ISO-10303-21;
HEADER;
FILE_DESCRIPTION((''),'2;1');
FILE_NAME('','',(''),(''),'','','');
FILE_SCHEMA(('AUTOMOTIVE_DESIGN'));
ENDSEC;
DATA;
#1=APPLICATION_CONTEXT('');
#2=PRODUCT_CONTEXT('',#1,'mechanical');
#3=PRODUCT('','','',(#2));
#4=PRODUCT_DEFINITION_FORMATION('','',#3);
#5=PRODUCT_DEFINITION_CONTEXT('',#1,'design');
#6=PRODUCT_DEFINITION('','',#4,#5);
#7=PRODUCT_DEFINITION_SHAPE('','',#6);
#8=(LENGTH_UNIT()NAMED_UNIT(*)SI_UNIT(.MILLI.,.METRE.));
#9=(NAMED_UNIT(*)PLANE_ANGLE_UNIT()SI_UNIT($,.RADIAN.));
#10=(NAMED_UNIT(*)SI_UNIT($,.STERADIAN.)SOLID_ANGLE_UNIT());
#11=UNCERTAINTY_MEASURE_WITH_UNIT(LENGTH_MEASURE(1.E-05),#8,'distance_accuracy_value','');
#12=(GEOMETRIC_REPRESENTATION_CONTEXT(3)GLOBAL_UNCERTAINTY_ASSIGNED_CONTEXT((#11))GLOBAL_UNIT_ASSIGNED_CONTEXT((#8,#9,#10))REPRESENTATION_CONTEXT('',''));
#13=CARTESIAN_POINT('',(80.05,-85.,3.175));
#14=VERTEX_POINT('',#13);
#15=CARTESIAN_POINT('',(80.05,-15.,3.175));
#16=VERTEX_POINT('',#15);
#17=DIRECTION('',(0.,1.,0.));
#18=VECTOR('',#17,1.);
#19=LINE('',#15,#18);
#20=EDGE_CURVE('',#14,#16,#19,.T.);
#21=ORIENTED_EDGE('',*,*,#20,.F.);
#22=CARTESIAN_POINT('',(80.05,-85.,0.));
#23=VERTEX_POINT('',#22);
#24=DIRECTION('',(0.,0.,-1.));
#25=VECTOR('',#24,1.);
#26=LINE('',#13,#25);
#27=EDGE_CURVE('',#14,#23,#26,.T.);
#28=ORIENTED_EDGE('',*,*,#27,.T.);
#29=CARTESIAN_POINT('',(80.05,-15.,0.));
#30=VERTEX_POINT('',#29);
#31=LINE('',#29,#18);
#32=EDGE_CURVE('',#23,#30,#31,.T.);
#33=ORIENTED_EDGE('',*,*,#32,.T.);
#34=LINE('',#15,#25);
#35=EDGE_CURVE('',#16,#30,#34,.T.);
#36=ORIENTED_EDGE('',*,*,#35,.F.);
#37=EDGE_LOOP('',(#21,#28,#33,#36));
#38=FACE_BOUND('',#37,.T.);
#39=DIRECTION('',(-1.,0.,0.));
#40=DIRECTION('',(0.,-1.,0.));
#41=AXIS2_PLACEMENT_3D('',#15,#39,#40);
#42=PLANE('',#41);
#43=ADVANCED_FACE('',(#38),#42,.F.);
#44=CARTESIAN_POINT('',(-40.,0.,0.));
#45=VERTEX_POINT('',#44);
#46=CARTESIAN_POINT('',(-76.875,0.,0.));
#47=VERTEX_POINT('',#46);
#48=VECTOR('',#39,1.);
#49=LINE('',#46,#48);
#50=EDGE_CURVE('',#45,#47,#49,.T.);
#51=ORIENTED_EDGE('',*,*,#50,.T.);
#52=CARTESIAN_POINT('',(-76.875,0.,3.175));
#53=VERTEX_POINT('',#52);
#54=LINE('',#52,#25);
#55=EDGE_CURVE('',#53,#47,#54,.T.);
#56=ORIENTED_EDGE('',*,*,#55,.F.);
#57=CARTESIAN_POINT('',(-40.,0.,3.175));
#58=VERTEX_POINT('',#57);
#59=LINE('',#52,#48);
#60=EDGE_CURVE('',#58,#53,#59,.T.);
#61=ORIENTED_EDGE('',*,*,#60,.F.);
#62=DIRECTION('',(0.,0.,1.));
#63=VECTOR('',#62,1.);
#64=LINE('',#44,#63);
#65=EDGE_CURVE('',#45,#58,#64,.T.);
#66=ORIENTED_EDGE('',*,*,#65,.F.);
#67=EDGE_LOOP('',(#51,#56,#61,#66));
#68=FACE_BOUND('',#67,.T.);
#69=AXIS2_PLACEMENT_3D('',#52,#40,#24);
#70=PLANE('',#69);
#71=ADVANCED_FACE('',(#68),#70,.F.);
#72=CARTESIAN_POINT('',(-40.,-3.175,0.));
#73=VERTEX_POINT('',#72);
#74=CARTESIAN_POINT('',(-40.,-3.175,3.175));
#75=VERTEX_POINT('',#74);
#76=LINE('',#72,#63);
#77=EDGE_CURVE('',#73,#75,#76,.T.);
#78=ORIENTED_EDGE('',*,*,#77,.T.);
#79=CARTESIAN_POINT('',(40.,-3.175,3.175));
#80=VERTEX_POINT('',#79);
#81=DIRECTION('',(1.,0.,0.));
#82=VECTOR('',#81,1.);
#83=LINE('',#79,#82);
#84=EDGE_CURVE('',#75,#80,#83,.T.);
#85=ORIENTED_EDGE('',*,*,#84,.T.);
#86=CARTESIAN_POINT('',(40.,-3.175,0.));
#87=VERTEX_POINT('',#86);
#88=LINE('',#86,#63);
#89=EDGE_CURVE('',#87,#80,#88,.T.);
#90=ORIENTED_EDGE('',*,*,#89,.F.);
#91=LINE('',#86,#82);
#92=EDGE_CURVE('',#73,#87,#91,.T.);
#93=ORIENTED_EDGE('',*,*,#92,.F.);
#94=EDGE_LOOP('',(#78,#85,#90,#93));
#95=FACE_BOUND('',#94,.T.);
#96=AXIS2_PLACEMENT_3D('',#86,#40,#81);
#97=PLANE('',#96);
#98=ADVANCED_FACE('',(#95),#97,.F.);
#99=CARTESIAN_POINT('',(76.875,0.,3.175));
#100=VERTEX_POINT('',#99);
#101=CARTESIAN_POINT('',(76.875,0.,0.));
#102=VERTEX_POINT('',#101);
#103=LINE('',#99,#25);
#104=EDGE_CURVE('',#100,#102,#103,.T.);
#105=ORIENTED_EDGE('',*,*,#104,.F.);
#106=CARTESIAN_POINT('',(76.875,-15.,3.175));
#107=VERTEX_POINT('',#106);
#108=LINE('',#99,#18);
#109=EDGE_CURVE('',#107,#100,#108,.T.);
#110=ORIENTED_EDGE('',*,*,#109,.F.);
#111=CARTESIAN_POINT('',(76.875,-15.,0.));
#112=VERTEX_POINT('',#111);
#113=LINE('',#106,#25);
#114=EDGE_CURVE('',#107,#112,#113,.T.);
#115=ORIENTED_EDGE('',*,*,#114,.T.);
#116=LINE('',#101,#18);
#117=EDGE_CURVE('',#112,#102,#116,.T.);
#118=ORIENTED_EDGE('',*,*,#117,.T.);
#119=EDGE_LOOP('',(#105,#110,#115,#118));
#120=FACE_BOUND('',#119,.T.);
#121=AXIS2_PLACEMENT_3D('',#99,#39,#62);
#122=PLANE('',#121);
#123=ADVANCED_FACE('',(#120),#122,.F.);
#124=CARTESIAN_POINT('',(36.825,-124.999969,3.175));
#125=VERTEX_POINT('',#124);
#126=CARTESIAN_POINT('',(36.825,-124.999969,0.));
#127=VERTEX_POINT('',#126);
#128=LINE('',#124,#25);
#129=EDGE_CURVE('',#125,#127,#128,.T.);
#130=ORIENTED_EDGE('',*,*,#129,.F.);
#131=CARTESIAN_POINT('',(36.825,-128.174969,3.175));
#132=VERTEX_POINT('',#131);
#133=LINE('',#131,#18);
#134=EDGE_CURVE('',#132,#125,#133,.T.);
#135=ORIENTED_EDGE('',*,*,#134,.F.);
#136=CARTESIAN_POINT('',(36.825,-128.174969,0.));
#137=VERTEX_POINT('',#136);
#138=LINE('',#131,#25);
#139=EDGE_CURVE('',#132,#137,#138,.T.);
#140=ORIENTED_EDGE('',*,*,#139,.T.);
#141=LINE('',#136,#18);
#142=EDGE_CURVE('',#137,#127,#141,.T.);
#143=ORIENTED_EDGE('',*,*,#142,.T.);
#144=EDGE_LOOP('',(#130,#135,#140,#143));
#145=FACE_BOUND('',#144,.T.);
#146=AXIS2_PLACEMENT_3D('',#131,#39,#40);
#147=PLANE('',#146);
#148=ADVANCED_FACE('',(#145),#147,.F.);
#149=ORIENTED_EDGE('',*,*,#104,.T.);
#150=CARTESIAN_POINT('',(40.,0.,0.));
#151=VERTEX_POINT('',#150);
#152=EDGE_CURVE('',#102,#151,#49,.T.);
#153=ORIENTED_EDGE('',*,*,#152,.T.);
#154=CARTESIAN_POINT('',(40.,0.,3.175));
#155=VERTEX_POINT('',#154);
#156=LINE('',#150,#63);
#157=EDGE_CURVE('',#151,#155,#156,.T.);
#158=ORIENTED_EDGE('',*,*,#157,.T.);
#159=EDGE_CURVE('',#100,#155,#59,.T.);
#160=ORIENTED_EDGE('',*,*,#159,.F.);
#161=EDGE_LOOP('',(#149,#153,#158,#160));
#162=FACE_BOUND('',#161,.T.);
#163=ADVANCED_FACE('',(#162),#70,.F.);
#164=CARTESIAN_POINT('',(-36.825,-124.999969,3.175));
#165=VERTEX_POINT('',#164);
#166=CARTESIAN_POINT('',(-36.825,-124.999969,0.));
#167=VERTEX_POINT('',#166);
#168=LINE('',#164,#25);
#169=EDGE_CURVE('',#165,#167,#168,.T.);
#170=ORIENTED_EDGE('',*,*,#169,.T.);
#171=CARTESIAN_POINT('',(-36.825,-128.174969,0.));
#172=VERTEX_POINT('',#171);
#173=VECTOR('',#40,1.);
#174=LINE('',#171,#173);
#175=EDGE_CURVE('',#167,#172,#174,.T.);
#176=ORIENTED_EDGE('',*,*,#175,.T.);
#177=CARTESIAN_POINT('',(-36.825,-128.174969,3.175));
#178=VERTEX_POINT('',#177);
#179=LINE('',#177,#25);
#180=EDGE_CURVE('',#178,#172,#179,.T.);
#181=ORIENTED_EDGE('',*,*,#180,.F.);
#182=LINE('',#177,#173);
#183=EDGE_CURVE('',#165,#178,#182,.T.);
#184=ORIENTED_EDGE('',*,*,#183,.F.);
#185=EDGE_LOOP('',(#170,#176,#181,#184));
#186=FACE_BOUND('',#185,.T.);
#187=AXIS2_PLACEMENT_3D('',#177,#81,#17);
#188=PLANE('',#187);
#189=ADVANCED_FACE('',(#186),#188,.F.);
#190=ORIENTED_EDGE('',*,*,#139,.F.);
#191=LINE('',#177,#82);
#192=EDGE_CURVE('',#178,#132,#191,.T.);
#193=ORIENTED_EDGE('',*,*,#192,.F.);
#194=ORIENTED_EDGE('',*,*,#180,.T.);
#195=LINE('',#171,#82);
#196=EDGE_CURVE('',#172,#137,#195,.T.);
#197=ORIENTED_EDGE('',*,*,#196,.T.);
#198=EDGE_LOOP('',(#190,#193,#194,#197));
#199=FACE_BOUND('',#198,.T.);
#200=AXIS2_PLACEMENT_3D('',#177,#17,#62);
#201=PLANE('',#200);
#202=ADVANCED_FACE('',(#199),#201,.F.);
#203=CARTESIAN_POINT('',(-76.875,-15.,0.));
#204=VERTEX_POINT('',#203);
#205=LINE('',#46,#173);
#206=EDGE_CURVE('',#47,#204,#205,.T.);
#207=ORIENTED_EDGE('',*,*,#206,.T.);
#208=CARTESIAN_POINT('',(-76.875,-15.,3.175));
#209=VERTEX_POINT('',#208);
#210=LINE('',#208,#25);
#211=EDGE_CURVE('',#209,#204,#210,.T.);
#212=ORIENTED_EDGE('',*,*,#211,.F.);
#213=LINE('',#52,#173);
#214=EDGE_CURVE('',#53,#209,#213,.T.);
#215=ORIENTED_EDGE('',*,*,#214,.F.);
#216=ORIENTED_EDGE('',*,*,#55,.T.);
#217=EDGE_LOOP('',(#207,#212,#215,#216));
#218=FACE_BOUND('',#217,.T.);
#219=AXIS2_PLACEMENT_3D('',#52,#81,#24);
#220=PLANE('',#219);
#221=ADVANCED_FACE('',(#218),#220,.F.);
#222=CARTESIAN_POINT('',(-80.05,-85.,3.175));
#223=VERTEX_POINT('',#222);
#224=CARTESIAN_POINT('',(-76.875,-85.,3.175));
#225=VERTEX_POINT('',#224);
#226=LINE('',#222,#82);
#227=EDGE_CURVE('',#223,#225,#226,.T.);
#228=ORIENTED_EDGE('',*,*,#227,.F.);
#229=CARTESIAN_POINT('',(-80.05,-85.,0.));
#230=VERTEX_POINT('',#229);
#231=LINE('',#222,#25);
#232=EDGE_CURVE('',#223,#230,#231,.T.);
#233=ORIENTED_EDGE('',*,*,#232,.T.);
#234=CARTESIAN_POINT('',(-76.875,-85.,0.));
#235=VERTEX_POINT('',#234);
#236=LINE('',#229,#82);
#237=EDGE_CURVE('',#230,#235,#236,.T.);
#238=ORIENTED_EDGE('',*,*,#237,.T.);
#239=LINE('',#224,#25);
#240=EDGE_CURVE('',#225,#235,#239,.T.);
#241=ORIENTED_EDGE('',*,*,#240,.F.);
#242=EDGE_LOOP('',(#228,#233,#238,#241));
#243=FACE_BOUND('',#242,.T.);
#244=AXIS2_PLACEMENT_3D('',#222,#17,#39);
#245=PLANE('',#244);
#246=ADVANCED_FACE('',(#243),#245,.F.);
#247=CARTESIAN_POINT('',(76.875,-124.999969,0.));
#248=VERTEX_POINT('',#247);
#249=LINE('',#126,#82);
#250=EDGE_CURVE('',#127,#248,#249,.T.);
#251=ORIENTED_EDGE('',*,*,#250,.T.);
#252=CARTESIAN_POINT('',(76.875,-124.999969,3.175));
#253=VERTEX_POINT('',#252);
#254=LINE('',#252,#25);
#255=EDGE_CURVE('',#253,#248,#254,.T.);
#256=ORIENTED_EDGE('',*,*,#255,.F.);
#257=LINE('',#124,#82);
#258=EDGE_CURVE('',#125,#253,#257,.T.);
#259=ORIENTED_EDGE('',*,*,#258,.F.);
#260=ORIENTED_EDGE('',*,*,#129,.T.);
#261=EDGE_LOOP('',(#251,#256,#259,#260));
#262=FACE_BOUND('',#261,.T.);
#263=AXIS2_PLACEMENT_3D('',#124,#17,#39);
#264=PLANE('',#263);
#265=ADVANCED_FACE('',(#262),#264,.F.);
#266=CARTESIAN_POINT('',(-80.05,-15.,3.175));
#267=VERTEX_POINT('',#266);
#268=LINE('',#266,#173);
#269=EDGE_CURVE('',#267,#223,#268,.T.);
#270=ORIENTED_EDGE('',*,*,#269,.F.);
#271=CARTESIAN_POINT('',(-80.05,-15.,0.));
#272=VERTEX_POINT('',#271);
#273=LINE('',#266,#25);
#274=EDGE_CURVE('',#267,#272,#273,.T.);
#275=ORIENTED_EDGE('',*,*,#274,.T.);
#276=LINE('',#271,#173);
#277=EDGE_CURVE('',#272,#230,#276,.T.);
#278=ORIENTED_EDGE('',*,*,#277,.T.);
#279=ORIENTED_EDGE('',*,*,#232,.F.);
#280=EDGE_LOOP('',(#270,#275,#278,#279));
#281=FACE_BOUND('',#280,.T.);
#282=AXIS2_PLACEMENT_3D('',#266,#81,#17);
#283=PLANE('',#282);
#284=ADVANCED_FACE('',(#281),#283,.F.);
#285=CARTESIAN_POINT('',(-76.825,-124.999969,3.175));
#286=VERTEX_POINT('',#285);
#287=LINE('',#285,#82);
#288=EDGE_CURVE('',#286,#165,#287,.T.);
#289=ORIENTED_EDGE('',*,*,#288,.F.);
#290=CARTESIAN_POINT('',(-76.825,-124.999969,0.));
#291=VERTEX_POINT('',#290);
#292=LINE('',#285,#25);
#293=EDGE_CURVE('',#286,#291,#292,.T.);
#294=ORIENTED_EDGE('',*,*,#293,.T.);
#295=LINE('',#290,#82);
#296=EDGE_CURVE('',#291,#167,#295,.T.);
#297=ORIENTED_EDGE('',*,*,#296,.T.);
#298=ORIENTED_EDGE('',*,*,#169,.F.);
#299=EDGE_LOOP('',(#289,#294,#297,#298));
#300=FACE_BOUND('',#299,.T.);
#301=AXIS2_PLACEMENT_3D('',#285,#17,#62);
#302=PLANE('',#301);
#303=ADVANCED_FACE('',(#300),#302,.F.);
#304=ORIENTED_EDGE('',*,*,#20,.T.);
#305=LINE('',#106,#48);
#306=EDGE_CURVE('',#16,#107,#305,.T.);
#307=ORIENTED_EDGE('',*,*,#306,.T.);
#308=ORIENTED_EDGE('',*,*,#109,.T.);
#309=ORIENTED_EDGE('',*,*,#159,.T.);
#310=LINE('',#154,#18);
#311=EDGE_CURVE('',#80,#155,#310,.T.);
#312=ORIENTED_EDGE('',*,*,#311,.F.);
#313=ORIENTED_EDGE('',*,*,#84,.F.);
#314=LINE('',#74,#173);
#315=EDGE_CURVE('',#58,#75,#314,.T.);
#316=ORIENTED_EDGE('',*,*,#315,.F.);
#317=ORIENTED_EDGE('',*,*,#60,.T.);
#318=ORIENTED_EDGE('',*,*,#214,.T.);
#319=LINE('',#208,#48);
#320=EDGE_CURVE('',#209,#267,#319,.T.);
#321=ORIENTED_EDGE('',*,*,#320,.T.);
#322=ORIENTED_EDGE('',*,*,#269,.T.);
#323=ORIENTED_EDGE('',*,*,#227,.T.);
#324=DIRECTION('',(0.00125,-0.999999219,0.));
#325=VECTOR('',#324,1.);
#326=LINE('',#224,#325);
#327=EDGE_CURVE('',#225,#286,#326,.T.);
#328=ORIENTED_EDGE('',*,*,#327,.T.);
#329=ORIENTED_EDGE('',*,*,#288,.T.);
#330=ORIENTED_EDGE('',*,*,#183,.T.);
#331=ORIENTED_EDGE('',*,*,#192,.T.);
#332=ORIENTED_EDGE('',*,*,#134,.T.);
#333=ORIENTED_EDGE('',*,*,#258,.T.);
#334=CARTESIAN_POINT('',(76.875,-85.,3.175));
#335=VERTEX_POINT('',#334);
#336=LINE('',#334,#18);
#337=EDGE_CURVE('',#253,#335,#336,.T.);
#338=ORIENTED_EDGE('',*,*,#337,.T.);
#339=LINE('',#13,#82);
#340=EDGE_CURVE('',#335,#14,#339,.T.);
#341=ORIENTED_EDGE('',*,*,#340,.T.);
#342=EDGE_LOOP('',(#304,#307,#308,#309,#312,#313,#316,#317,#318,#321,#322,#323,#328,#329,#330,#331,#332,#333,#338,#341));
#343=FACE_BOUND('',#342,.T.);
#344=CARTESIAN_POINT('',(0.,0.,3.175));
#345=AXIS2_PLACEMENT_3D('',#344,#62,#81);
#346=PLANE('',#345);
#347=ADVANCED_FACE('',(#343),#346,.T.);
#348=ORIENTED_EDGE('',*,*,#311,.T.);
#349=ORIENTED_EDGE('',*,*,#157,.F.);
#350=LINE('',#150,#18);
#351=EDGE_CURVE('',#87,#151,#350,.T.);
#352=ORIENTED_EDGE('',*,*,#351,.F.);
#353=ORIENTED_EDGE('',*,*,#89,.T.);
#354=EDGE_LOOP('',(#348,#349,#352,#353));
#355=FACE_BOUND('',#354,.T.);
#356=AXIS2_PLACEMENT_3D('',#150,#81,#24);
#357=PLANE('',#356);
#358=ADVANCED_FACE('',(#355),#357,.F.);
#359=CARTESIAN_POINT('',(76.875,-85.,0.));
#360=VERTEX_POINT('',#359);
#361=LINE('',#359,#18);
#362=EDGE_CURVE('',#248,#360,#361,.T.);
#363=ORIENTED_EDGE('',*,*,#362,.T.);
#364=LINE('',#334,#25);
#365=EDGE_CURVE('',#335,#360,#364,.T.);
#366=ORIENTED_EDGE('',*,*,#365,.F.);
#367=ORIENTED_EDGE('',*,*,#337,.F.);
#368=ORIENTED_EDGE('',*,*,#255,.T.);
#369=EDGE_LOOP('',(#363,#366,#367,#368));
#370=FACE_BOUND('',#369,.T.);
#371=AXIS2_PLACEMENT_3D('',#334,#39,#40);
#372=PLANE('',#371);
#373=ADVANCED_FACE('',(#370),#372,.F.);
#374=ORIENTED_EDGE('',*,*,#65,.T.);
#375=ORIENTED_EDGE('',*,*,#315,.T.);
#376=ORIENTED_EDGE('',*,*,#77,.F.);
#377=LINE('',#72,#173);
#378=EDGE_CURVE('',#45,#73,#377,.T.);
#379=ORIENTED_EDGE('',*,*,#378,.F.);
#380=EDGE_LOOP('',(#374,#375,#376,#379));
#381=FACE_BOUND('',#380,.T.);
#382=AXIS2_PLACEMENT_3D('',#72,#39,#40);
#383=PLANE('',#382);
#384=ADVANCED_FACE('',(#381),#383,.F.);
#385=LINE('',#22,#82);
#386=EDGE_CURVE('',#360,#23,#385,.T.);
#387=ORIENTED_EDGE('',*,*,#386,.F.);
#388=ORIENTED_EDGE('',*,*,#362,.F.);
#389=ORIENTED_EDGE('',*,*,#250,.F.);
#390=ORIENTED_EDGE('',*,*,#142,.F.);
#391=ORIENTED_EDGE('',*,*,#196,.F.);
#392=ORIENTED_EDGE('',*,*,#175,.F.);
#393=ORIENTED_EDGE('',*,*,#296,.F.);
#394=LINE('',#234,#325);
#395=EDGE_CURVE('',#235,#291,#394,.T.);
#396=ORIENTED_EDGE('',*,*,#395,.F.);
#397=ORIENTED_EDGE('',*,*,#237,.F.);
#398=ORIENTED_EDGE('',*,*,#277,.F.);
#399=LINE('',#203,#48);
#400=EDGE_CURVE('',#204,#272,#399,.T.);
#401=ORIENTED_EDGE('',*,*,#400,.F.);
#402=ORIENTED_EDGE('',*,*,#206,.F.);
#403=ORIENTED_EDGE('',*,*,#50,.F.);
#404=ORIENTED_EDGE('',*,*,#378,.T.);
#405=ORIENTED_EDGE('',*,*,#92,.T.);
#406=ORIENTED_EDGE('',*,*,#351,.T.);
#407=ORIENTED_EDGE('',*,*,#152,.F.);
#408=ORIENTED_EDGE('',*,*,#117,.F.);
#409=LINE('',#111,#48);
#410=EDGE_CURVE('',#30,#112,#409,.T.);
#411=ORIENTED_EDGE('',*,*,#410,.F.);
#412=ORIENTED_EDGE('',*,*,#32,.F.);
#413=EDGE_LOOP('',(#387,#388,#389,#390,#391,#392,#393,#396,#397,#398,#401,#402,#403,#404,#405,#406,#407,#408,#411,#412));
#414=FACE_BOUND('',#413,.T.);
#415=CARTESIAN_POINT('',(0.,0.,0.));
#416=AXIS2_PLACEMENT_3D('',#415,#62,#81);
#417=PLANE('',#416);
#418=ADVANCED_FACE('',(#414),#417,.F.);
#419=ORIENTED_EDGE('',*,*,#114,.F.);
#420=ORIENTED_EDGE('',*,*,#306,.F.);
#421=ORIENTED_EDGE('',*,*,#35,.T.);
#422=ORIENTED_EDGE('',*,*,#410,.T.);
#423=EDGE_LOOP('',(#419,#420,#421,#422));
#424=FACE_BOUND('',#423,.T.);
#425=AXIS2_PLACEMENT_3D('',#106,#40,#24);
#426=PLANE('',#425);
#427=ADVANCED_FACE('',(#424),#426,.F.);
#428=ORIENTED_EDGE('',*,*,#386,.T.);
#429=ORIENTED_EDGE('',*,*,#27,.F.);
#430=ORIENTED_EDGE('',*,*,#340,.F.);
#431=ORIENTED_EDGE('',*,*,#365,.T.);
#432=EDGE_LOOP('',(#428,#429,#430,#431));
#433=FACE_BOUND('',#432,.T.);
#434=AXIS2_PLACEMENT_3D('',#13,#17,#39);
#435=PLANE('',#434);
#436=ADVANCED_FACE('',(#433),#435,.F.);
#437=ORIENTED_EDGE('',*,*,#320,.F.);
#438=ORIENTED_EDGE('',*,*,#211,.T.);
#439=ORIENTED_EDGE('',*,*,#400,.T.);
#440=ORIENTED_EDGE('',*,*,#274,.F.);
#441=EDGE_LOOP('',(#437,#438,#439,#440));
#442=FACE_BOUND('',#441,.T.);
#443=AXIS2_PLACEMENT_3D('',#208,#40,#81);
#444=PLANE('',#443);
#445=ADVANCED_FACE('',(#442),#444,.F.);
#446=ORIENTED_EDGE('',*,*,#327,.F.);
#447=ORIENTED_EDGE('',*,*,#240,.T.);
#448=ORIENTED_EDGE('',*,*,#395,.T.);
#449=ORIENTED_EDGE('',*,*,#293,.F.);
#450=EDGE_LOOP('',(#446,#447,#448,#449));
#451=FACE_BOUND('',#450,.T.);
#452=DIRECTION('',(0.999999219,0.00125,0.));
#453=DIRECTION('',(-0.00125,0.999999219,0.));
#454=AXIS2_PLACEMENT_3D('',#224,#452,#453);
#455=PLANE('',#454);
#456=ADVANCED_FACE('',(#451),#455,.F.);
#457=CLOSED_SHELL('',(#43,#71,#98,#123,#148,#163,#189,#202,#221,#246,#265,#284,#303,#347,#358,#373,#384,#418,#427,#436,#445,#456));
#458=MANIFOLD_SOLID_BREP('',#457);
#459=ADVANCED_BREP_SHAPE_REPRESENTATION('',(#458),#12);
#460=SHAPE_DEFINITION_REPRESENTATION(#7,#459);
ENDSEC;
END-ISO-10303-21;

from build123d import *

# Parameters (mm, degrees)
BOSS_EXTRUDE2_DEPTH = 3.175
SKETCH2_W           = 80
SKETCH2_H           = 3.175
CUT_EXTRUDE1_DEPTH  = 4.175


with BuildPart() as part:
    # Sketch1 → Boss-Extrude2 (new body)
    with BuildSketch(Plane.XY):
        Polygon((-76.875, 0), (76.875, 0), (76.875, -15), (80.05, -15), (80.05, -85), (76.875, -85), (76.875, -124.99996875), (36.825, -124.99996875), (36.825, -128.17496875), (-36.825, -128.17496875), (-36.825, -124.99996875), (-76.825, -124.99996875), (-76.875, -85), (-80.05, -85), (-80.05, -15), (-76.875, -15), align=None)
    extrude(amount=BOSS_EXTRUDE2_DEPTH)

    # Sketch2 → Cut-Extrude1 (cut, through all)
    with BuildSketch(Plane.XY.offset(3.175)):
        with Locations((0, -1.5875)):
            Rectangle(SKETCH2_W, SKETCH2_H)
    extrude(amount=-CUT_EXTRUDE1_DEPTH, mode=Mode.SUBTRACT)


solid = part.part
